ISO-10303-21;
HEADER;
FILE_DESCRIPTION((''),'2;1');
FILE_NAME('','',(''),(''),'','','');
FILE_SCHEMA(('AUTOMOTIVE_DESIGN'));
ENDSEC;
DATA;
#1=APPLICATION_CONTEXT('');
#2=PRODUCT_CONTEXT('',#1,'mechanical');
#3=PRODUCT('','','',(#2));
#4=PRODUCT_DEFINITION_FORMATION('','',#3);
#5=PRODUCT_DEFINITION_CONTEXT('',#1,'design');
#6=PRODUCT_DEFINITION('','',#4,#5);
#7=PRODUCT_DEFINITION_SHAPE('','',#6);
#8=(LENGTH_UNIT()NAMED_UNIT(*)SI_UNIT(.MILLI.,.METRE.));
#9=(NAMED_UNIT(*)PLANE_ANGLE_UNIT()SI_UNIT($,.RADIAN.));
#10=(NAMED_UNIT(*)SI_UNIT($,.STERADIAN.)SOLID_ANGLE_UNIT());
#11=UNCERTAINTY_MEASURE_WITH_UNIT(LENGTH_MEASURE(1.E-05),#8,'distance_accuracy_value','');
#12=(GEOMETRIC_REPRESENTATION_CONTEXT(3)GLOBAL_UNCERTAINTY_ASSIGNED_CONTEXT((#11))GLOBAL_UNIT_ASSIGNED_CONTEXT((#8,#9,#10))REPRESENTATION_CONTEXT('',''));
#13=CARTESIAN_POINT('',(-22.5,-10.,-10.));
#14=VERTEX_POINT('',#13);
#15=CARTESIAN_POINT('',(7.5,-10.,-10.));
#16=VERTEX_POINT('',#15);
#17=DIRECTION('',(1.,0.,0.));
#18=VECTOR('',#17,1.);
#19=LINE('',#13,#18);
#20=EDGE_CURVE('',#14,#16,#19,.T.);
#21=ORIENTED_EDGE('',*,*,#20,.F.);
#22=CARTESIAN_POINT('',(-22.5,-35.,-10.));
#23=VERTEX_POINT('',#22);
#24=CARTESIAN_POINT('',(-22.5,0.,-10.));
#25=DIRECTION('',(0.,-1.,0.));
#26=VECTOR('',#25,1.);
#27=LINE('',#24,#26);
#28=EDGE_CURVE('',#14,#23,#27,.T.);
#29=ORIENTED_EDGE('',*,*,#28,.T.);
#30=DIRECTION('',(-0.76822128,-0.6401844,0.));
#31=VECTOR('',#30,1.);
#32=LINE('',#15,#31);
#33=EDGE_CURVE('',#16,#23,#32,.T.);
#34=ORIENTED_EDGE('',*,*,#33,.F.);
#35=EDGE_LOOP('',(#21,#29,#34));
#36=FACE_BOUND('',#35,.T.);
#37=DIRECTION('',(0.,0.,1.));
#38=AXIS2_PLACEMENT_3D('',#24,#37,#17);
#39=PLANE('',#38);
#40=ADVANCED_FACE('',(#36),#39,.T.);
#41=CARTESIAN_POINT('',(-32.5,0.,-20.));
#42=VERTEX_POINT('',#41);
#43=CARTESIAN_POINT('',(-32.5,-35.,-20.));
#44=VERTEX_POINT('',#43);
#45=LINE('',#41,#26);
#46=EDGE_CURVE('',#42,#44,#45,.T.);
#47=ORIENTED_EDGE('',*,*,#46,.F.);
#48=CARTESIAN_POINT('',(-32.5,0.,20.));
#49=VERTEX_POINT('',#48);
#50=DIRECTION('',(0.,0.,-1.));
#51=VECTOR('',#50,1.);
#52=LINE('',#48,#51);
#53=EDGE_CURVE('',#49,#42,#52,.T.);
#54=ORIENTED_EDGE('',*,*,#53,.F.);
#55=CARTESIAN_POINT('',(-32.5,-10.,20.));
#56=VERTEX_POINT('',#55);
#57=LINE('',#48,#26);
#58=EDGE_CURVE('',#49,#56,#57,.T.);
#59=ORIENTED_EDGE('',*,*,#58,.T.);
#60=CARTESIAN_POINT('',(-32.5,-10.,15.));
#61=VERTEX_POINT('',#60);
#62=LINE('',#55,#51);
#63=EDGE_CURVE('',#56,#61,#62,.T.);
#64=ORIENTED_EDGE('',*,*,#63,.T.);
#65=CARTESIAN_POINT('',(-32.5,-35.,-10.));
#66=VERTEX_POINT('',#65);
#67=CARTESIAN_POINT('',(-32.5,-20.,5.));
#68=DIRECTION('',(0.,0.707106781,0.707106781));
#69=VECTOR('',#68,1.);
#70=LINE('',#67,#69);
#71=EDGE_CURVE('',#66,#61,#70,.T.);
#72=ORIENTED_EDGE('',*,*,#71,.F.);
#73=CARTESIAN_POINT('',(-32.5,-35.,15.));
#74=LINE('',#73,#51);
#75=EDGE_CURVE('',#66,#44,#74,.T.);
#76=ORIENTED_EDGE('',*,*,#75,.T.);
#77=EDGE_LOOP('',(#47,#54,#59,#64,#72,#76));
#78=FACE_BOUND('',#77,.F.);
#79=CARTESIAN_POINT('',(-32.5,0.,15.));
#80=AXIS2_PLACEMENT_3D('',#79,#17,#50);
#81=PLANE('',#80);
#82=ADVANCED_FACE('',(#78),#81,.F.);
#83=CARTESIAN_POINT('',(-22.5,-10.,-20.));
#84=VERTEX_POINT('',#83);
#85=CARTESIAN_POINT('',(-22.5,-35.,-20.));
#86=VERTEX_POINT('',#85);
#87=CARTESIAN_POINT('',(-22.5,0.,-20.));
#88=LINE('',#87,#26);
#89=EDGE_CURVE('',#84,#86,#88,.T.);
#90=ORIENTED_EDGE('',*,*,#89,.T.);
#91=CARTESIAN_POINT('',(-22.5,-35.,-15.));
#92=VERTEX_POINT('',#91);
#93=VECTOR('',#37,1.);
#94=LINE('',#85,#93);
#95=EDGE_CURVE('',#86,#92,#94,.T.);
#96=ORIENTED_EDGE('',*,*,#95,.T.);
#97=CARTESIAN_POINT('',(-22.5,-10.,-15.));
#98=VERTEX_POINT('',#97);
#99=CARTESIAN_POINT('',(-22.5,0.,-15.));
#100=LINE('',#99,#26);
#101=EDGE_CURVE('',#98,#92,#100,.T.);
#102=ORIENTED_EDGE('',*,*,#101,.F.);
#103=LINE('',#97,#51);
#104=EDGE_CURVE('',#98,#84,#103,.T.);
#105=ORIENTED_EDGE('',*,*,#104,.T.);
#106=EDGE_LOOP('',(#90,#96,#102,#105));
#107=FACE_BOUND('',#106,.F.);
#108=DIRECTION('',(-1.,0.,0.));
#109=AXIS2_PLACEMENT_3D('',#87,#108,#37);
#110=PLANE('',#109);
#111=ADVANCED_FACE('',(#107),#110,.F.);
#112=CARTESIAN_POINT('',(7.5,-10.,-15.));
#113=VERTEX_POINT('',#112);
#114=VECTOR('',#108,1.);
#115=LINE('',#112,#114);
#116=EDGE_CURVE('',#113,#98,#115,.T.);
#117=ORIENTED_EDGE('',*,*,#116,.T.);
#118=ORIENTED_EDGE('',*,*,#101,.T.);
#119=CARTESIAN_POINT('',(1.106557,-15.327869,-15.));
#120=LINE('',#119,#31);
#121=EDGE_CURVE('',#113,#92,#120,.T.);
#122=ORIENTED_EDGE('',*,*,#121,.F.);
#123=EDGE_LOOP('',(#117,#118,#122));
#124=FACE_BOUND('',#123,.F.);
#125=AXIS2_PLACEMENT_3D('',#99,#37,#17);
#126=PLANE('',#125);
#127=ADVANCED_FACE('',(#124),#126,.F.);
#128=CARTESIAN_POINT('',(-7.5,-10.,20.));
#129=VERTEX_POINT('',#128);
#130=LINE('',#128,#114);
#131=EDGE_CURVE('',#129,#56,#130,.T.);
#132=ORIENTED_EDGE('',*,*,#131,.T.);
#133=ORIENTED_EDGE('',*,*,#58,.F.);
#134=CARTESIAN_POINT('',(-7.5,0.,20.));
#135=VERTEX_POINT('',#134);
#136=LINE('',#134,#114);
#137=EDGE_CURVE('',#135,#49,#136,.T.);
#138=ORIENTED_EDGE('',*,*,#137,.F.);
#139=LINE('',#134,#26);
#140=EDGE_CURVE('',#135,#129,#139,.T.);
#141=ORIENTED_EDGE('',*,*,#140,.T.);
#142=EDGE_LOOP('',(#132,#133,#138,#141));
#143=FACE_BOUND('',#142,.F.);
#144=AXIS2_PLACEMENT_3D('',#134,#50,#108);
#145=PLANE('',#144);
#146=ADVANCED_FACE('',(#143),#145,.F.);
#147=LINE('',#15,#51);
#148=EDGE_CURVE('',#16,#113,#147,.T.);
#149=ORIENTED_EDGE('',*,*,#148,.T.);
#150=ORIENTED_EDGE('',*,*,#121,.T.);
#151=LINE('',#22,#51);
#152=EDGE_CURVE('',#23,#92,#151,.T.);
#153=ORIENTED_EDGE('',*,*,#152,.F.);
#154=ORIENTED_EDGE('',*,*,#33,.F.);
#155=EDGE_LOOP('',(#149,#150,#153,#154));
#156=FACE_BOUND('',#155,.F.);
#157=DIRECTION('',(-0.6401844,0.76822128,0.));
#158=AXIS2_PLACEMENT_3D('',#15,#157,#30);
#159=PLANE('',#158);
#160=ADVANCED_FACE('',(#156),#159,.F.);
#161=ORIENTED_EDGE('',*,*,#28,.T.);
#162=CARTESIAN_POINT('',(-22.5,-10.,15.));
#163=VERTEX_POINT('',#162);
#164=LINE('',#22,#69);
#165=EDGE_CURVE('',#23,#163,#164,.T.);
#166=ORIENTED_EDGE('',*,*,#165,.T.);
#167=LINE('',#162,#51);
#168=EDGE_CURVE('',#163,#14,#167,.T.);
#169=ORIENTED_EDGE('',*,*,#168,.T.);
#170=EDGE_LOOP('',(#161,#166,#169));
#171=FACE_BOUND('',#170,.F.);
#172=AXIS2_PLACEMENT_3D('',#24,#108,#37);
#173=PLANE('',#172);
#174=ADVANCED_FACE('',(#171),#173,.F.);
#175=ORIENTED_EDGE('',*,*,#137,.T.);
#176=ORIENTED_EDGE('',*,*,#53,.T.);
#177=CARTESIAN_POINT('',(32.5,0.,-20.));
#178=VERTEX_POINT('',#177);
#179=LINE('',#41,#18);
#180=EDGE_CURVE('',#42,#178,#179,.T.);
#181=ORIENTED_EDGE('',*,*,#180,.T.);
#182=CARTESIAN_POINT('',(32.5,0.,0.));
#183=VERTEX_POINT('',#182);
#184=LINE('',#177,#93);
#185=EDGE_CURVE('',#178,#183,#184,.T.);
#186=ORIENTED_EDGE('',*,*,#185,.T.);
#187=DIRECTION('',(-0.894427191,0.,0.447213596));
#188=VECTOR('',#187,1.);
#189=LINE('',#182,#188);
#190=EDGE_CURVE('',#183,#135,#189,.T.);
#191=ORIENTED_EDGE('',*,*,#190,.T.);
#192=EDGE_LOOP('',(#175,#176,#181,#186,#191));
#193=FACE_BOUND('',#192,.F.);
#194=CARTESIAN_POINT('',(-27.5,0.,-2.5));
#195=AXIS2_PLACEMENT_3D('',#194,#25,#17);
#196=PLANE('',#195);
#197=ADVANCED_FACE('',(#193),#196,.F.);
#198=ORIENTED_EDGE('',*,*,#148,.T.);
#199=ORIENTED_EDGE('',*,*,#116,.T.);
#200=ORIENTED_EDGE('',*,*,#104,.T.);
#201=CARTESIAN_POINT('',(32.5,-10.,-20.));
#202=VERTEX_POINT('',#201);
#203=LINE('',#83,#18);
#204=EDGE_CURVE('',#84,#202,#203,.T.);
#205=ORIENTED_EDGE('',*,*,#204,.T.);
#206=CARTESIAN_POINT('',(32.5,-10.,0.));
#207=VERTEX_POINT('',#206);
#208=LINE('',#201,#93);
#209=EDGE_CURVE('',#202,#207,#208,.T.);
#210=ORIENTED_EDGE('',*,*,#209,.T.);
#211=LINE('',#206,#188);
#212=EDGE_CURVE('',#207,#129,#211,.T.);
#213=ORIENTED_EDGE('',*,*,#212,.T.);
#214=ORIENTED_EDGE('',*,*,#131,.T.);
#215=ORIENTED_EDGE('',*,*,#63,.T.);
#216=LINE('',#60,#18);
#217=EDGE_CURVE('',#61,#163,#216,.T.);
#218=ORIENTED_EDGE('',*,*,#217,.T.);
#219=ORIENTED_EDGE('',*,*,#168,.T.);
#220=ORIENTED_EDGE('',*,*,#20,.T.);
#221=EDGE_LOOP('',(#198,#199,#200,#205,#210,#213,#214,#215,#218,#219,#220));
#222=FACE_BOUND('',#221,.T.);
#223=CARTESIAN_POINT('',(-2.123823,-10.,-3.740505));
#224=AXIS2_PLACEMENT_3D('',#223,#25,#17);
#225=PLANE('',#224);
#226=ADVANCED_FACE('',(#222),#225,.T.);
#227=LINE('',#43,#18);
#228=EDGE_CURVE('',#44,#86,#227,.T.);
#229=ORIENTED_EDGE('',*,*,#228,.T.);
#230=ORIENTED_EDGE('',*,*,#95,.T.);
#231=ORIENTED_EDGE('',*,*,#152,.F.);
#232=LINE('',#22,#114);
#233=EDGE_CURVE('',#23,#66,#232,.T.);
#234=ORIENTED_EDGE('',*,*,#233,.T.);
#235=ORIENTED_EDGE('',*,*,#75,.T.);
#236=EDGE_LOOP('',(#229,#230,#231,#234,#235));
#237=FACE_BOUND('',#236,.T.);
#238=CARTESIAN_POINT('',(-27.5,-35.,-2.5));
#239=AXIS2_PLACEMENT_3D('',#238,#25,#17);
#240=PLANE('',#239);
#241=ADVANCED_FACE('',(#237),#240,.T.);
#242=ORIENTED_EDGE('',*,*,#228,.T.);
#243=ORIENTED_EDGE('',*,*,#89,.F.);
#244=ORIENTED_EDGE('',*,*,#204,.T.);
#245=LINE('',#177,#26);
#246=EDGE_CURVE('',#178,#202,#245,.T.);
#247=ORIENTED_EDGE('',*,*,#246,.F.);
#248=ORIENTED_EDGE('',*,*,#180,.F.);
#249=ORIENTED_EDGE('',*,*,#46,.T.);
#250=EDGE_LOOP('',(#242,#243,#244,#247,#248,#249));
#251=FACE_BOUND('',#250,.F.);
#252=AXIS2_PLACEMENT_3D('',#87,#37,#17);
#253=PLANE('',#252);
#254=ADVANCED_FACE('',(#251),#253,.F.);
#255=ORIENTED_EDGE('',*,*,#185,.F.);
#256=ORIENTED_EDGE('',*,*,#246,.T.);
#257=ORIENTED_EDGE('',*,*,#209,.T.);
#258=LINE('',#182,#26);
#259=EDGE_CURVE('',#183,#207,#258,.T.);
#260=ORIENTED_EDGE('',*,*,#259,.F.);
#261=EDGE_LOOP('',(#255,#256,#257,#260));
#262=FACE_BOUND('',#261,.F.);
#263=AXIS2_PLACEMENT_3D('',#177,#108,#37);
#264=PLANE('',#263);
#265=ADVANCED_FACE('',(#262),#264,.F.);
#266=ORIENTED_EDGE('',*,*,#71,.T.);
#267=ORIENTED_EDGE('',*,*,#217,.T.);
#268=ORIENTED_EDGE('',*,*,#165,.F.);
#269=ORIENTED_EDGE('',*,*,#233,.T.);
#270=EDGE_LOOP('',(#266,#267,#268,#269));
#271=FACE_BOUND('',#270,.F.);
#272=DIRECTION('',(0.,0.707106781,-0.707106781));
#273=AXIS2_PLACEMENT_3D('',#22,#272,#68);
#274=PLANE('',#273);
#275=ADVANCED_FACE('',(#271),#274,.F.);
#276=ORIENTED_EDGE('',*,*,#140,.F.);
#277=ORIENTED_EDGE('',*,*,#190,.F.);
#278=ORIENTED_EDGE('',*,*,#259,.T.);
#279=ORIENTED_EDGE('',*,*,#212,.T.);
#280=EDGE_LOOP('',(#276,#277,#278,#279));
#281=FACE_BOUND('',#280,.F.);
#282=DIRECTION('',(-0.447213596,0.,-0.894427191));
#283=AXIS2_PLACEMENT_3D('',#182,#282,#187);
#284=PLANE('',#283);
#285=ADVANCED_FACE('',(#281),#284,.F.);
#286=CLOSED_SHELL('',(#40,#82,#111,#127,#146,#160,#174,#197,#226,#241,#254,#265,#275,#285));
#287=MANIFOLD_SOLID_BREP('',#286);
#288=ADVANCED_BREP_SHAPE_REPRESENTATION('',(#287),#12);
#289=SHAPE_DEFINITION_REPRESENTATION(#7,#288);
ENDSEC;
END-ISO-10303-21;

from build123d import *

# Parameters (mm, degrees)
F1_DEPTH = 10
F0_W     = 30
F0_H     = 5
F2_DEPTH = 35
F4_DEPTH = 10.001
F6_DEPTH = 10.001


with BuildPart() as f1:
    # F0 (on Front) → F1 (new body)
    with BuildSketch(Plane.XZ):
        Polygon((-7.5, 20), (-32.5, 20), (-32.5, 15), (-22.5, 15), (-22.5, -10), (7.5, -10), (7.5, -15), (-22.5, -15), (-22.5, -20), (32.5, -20), (32.5, 0), align=None)
    extrude(amount=F1_DEPTH)

    # F0 (on Front) → F2 (join)
    with BuildSketch(Plane.XZ):
        Polygon((-22.5, 15), (-32.5, 15), (-32.5, -20), (-22.5, -20), (-22.5, -15), (-22.5, -10), align=None)
        with Locations((-7.5, -12.5)):
            Rectangle(F0_W, F0_H)
    extrude(amount=F2_DEPTH)

    # F3 (on face) → F4 (cut, through all)
    with BuildSketch(Plane.XY.offset(-10)):
        Polygon((7.5, -10), (-22.5, -35), (7.5, -35), align=None)
    extrude(amount=-F4_DEPTH, mode=Mode.SUBTRACT)

    # F5 (on face) → F6 (cut, through all)
    with BuildSketch(Plane.YZ.offset(-22.5)):
        Polygon((-35, 15), (-35, -10), (-10, 15), align=None)
    extrude(amount=-F6_DEPTH, mode=Mode.SUBTRACT)


solid = f1.part
